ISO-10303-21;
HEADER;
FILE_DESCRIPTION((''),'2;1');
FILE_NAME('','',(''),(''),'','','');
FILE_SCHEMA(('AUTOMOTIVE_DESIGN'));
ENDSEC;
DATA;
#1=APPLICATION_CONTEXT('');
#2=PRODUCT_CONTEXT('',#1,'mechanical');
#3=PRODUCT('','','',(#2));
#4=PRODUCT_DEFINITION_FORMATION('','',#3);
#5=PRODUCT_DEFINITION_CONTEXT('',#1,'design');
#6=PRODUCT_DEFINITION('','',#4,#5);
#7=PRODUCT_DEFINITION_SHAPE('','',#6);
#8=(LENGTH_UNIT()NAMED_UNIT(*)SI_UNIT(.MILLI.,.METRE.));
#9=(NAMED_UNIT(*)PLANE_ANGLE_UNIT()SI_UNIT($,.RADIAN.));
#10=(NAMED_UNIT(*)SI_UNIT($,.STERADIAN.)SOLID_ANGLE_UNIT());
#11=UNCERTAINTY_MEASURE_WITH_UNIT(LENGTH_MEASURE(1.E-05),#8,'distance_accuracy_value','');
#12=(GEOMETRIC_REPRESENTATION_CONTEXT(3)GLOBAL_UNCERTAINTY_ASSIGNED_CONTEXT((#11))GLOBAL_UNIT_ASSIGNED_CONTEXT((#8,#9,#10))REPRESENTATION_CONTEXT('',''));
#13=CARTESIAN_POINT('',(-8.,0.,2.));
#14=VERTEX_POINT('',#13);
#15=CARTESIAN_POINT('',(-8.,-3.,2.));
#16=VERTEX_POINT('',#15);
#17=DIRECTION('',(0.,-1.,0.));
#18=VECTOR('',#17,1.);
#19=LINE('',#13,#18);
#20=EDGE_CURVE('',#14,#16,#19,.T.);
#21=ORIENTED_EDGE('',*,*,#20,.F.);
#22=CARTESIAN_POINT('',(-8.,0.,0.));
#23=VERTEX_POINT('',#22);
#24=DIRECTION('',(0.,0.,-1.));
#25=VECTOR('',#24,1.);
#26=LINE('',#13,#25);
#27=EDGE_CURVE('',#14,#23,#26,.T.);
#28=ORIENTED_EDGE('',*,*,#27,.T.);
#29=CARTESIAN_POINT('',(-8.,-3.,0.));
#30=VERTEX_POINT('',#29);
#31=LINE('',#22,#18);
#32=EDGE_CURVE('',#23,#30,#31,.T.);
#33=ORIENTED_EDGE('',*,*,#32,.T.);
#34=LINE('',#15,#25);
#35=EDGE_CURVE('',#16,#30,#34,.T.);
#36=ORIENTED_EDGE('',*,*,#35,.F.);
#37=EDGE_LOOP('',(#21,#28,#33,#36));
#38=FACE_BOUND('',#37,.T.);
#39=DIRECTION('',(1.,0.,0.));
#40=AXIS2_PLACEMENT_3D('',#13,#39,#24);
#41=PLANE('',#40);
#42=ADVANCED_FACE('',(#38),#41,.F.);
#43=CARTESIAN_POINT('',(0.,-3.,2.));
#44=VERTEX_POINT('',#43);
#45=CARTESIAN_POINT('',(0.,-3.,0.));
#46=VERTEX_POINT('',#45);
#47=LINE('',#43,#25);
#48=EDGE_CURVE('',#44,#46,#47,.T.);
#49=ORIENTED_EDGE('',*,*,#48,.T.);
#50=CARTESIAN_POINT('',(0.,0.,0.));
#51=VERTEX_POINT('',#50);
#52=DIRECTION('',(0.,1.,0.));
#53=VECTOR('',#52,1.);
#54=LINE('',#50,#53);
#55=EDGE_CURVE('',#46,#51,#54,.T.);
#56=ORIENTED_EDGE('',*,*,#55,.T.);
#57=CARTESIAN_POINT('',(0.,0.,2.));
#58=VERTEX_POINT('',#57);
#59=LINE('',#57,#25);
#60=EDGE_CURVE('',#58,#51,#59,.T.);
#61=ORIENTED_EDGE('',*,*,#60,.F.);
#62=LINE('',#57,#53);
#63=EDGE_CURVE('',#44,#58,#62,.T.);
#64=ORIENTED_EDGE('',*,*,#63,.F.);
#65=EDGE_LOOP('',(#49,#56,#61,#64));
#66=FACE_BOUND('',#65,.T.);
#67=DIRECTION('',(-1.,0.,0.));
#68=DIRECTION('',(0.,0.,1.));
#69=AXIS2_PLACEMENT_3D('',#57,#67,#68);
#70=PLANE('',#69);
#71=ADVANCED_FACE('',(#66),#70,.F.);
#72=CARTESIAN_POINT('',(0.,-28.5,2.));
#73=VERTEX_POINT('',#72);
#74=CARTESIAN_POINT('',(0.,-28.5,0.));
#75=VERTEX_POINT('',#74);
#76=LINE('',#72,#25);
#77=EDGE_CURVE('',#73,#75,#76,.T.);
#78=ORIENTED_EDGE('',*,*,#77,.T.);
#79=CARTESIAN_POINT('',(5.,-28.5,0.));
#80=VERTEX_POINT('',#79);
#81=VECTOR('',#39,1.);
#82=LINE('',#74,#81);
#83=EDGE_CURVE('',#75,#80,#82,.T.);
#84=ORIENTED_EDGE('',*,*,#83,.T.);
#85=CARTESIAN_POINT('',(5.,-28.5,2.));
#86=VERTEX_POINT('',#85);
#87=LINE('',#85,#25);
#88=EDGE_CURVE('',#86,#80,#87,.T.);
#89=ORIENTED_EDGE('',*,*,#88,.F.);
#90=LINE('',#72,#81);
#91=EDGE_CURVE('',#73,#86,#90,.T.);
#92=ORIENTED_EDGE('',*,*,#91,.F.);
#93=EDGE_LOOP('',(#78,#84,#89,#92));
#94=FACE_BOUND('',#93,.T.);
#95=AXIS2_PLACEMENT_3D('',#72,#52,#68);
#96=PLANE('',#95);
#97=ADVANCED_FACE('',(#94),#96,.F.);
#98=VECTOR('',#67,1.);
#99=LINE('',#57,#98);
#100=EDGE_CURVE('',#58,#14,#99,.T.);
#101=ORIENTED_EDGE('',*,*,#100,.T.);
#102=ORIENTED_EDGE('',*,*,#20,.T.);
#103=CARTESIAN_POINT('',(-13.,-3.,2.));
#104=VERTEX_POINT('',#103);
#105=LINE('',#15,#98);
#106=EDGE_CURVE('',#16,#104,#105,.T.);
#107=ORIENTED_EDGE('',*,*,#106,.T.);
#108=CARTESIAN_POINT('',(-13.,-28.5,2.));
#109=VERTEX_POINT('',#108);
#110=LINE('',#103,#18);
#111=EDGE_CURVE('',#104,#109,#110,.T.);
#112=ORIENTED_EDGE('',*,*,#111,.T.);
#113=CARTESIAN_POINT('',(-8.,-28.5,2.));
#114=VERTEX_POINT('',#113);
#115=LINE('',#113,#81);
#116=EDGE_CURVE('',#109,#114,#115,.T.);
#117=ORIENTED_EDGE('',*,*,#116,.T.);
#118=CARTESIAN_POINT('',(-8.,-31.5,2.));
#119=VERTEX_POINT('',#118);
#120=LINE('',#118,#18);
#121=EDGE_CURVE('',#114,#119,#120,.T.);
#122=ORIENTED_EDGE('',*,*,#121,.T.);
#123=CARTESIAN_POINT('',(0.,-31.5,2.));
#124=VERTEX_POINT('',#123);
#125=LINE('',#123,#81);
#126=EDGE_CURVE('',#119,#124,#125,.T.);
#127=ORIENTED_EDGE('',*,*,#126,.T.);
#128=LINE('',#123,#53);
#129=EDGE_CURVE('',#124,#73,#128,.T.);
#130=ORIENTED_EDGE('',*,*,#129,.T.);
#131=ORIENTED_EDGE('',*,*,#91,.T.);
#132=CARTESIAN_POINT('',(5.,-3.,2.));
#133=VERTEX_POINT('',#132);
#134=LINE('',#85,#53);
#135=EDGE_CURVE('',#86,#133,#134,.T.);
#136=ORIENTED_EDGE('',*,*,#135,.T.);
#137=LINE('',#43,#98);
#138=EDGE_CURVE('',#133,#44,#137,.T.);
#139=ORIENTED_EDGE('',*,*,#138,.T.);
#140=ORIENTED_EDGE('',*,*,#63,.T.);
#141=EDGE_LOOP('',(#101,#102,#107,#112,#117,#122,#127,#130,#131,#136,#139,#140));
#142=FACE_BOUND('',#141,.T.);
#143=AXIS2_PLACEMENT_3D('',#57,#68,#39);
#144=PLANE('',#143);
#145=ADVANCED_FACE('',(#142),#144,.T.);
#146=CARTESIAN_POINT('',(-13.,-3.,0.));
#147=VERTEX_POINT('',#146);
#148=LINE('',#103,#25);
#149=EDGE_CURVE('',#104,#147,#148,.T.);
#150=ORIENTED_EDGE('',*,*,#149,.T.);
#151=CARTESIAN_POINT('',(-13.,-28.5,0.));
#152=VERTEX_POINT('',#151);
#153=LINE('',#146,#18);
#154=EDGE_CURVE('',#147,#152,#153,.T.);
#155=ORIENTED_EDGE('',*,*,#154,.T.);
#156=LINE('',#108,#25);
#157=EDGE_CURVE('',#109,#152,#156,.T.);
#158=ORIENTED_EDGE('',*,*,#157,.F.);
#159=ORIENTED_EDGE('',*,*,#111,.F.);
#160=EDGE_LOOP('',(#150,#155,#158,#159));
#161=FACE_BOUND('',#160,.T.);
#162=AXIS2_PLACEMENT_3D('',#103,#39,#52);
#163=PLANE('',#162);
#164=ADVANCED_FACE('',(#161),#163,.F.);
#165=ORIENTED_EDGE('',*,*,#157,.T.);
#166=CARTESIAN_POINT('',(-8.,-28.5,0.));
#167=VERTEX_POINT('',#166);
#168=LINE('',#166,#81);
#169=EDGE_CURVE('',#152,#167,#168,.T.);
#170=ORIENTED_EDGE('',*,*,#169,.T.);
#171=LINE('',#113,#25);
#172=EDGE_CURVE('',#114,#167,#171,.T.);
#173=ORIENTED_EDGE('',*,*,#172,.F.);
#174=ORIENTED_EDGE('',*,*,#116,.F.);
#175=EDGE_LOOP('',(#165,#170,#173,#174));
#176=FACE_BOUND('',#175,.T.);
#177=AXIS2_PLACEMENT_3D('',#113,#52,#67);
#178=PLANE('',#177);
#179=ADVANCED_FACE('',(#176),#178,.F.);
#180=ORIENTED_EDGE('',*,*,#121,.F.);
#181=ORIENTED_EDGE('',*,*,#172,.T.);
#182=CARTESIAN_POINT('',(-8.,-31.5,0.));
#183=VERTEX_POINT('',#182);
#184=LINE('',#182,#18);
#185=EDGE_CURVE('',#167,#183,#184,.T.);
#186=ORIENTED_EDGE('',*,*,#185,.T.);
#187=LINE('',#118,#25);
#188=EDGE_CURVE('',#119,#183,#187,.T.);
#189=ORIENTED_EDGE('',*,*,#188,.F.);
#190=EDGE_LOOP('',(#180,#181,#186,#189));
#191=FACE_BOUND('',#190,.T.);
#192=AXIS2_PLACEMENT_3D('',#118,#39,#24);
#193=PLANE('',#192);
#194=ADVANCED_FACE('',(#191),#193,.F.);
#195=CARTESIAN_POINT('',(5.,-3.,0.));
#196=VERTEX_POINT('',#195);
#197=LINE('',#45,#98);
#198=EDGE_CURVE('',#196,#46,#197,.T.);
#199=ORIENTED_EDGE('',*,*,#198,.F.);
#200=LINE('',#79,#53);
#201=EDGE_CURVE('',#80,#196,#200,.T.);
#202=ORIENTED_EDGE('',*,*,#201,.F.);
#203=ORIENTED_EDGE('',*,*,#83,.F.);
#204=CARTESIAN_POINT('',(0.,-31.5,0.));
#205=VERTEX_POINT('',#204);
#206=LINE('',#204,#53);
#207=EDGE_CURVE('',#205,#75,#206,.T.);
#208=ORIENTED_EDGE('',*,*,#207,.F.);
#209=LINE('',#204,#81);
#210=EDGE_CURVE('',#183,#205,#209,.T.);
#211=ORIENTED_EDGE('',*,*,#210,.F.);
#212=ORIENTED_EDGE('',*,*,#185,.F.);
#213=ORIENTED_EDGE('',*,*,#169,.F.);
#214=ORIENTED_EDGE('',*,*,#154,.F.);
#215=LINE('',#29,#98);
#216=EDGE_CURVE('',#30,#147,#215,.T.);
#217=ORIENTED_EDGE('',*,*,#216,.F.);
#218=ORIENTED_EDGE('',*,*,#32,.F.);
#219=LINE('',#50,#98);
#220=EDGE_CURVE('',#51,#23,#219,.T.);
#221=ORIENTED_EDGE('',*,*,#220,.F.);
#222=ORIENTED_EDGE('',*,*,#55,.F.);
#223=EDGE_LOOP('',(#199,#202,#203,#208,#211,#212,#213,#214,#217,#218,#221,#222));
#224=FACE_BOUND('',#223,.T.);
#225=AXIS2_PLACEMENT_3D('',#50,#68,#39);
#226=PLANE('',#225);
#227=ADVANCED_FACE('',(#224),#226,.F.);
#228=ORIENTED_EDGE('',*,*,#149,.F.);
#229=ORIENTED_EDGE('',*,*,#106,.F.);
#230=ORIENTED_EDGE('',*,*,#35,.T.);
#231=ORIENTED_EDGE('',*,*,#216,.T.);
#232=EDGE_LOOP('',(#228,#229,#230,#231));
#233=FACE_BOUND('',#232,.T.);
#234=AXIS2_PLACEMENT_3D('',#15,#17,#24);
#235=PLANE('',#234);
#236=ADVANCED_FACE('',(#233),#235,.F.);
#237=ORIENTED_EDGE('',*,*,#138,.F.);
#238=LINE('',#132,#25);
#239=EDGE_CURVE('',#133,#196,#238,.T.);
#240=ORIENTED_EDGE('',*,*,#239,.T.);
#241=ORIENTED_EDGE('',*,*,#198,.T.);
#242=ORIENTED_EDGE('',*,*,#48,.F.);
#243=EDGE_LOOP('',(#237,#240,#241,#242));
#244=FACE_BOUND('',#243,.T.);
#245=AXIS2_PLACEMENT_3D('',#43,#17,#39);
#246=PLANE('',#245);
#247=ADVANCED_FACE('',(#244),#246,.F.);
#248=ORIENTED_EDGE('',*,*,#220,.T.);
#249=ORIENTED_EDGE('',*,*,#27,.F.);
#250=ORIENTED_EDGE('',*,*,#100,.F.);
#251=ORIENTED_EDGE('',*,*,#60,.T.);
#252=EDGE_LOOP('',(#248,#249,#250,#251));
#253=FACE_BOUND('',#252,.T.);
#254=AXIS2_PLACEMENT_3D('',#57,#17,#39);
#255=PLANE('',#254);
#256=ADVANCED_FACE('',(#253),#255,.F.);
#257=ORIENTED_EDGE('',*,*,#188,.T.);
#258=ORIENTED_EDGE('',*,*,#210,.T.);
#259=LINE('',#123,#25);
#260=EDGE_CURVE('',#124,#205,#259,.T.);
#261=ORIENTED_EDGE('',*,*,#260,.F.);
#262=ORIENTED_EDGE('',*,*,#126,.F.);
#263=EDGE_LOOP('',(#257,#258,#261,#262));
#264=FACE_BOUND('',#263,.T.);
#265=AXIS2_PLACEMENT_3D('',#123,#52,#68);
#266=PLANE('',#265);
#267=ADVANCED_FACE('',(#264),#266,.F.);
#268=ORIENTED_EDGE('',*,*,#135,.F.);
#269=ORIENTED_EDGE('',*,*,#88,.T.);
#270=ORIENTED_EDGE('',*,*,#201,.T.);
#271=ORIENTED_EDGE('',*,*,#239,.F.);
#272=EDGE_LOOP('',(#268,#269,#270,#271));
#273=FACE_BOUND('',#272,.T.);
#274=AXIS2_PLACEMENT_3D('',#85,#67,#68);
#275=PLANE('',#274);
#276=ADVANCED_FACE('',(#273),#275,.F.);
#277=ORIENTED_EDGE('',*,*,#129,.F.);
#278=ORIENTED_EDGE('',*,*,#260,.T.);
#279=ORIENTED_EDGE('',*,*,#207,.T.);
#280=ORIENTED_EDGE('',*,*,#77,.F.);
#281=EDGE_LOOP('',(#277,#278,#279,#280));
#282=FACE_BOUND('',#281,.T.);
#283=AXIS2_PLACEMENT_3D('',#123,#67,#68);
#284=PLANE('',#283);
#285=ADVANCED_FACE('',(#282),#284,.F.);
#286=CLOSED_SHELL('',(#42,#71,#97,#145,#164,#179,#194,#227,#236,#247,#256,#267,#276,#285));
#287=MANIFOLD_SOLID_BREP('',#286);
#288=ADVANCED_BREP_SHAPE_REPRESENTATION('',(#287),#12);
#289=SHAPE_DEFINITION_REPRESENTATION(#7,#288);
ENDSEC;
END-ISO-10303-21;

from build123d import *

# Parameters (mm, degrees)
EXTRUDE_1_DEPTH = 2


with BuildPart() as part:
    # 草图1 → 凸台-拉伸1 (new body)
    with BuildSketch(Plane.XY):
        Polygon((0, 0), (-8, 0), (-8, -3), (-13, -3), (-13, -28.5), (-8, -28.5), (-8, -31.5), (0, -31.5), (0, -28.5), (5, -28.5), (5, -3), (0, -3), align=None)
    extrude(amount=EXTRUDE_1_DEPTH)


solid = part.part
